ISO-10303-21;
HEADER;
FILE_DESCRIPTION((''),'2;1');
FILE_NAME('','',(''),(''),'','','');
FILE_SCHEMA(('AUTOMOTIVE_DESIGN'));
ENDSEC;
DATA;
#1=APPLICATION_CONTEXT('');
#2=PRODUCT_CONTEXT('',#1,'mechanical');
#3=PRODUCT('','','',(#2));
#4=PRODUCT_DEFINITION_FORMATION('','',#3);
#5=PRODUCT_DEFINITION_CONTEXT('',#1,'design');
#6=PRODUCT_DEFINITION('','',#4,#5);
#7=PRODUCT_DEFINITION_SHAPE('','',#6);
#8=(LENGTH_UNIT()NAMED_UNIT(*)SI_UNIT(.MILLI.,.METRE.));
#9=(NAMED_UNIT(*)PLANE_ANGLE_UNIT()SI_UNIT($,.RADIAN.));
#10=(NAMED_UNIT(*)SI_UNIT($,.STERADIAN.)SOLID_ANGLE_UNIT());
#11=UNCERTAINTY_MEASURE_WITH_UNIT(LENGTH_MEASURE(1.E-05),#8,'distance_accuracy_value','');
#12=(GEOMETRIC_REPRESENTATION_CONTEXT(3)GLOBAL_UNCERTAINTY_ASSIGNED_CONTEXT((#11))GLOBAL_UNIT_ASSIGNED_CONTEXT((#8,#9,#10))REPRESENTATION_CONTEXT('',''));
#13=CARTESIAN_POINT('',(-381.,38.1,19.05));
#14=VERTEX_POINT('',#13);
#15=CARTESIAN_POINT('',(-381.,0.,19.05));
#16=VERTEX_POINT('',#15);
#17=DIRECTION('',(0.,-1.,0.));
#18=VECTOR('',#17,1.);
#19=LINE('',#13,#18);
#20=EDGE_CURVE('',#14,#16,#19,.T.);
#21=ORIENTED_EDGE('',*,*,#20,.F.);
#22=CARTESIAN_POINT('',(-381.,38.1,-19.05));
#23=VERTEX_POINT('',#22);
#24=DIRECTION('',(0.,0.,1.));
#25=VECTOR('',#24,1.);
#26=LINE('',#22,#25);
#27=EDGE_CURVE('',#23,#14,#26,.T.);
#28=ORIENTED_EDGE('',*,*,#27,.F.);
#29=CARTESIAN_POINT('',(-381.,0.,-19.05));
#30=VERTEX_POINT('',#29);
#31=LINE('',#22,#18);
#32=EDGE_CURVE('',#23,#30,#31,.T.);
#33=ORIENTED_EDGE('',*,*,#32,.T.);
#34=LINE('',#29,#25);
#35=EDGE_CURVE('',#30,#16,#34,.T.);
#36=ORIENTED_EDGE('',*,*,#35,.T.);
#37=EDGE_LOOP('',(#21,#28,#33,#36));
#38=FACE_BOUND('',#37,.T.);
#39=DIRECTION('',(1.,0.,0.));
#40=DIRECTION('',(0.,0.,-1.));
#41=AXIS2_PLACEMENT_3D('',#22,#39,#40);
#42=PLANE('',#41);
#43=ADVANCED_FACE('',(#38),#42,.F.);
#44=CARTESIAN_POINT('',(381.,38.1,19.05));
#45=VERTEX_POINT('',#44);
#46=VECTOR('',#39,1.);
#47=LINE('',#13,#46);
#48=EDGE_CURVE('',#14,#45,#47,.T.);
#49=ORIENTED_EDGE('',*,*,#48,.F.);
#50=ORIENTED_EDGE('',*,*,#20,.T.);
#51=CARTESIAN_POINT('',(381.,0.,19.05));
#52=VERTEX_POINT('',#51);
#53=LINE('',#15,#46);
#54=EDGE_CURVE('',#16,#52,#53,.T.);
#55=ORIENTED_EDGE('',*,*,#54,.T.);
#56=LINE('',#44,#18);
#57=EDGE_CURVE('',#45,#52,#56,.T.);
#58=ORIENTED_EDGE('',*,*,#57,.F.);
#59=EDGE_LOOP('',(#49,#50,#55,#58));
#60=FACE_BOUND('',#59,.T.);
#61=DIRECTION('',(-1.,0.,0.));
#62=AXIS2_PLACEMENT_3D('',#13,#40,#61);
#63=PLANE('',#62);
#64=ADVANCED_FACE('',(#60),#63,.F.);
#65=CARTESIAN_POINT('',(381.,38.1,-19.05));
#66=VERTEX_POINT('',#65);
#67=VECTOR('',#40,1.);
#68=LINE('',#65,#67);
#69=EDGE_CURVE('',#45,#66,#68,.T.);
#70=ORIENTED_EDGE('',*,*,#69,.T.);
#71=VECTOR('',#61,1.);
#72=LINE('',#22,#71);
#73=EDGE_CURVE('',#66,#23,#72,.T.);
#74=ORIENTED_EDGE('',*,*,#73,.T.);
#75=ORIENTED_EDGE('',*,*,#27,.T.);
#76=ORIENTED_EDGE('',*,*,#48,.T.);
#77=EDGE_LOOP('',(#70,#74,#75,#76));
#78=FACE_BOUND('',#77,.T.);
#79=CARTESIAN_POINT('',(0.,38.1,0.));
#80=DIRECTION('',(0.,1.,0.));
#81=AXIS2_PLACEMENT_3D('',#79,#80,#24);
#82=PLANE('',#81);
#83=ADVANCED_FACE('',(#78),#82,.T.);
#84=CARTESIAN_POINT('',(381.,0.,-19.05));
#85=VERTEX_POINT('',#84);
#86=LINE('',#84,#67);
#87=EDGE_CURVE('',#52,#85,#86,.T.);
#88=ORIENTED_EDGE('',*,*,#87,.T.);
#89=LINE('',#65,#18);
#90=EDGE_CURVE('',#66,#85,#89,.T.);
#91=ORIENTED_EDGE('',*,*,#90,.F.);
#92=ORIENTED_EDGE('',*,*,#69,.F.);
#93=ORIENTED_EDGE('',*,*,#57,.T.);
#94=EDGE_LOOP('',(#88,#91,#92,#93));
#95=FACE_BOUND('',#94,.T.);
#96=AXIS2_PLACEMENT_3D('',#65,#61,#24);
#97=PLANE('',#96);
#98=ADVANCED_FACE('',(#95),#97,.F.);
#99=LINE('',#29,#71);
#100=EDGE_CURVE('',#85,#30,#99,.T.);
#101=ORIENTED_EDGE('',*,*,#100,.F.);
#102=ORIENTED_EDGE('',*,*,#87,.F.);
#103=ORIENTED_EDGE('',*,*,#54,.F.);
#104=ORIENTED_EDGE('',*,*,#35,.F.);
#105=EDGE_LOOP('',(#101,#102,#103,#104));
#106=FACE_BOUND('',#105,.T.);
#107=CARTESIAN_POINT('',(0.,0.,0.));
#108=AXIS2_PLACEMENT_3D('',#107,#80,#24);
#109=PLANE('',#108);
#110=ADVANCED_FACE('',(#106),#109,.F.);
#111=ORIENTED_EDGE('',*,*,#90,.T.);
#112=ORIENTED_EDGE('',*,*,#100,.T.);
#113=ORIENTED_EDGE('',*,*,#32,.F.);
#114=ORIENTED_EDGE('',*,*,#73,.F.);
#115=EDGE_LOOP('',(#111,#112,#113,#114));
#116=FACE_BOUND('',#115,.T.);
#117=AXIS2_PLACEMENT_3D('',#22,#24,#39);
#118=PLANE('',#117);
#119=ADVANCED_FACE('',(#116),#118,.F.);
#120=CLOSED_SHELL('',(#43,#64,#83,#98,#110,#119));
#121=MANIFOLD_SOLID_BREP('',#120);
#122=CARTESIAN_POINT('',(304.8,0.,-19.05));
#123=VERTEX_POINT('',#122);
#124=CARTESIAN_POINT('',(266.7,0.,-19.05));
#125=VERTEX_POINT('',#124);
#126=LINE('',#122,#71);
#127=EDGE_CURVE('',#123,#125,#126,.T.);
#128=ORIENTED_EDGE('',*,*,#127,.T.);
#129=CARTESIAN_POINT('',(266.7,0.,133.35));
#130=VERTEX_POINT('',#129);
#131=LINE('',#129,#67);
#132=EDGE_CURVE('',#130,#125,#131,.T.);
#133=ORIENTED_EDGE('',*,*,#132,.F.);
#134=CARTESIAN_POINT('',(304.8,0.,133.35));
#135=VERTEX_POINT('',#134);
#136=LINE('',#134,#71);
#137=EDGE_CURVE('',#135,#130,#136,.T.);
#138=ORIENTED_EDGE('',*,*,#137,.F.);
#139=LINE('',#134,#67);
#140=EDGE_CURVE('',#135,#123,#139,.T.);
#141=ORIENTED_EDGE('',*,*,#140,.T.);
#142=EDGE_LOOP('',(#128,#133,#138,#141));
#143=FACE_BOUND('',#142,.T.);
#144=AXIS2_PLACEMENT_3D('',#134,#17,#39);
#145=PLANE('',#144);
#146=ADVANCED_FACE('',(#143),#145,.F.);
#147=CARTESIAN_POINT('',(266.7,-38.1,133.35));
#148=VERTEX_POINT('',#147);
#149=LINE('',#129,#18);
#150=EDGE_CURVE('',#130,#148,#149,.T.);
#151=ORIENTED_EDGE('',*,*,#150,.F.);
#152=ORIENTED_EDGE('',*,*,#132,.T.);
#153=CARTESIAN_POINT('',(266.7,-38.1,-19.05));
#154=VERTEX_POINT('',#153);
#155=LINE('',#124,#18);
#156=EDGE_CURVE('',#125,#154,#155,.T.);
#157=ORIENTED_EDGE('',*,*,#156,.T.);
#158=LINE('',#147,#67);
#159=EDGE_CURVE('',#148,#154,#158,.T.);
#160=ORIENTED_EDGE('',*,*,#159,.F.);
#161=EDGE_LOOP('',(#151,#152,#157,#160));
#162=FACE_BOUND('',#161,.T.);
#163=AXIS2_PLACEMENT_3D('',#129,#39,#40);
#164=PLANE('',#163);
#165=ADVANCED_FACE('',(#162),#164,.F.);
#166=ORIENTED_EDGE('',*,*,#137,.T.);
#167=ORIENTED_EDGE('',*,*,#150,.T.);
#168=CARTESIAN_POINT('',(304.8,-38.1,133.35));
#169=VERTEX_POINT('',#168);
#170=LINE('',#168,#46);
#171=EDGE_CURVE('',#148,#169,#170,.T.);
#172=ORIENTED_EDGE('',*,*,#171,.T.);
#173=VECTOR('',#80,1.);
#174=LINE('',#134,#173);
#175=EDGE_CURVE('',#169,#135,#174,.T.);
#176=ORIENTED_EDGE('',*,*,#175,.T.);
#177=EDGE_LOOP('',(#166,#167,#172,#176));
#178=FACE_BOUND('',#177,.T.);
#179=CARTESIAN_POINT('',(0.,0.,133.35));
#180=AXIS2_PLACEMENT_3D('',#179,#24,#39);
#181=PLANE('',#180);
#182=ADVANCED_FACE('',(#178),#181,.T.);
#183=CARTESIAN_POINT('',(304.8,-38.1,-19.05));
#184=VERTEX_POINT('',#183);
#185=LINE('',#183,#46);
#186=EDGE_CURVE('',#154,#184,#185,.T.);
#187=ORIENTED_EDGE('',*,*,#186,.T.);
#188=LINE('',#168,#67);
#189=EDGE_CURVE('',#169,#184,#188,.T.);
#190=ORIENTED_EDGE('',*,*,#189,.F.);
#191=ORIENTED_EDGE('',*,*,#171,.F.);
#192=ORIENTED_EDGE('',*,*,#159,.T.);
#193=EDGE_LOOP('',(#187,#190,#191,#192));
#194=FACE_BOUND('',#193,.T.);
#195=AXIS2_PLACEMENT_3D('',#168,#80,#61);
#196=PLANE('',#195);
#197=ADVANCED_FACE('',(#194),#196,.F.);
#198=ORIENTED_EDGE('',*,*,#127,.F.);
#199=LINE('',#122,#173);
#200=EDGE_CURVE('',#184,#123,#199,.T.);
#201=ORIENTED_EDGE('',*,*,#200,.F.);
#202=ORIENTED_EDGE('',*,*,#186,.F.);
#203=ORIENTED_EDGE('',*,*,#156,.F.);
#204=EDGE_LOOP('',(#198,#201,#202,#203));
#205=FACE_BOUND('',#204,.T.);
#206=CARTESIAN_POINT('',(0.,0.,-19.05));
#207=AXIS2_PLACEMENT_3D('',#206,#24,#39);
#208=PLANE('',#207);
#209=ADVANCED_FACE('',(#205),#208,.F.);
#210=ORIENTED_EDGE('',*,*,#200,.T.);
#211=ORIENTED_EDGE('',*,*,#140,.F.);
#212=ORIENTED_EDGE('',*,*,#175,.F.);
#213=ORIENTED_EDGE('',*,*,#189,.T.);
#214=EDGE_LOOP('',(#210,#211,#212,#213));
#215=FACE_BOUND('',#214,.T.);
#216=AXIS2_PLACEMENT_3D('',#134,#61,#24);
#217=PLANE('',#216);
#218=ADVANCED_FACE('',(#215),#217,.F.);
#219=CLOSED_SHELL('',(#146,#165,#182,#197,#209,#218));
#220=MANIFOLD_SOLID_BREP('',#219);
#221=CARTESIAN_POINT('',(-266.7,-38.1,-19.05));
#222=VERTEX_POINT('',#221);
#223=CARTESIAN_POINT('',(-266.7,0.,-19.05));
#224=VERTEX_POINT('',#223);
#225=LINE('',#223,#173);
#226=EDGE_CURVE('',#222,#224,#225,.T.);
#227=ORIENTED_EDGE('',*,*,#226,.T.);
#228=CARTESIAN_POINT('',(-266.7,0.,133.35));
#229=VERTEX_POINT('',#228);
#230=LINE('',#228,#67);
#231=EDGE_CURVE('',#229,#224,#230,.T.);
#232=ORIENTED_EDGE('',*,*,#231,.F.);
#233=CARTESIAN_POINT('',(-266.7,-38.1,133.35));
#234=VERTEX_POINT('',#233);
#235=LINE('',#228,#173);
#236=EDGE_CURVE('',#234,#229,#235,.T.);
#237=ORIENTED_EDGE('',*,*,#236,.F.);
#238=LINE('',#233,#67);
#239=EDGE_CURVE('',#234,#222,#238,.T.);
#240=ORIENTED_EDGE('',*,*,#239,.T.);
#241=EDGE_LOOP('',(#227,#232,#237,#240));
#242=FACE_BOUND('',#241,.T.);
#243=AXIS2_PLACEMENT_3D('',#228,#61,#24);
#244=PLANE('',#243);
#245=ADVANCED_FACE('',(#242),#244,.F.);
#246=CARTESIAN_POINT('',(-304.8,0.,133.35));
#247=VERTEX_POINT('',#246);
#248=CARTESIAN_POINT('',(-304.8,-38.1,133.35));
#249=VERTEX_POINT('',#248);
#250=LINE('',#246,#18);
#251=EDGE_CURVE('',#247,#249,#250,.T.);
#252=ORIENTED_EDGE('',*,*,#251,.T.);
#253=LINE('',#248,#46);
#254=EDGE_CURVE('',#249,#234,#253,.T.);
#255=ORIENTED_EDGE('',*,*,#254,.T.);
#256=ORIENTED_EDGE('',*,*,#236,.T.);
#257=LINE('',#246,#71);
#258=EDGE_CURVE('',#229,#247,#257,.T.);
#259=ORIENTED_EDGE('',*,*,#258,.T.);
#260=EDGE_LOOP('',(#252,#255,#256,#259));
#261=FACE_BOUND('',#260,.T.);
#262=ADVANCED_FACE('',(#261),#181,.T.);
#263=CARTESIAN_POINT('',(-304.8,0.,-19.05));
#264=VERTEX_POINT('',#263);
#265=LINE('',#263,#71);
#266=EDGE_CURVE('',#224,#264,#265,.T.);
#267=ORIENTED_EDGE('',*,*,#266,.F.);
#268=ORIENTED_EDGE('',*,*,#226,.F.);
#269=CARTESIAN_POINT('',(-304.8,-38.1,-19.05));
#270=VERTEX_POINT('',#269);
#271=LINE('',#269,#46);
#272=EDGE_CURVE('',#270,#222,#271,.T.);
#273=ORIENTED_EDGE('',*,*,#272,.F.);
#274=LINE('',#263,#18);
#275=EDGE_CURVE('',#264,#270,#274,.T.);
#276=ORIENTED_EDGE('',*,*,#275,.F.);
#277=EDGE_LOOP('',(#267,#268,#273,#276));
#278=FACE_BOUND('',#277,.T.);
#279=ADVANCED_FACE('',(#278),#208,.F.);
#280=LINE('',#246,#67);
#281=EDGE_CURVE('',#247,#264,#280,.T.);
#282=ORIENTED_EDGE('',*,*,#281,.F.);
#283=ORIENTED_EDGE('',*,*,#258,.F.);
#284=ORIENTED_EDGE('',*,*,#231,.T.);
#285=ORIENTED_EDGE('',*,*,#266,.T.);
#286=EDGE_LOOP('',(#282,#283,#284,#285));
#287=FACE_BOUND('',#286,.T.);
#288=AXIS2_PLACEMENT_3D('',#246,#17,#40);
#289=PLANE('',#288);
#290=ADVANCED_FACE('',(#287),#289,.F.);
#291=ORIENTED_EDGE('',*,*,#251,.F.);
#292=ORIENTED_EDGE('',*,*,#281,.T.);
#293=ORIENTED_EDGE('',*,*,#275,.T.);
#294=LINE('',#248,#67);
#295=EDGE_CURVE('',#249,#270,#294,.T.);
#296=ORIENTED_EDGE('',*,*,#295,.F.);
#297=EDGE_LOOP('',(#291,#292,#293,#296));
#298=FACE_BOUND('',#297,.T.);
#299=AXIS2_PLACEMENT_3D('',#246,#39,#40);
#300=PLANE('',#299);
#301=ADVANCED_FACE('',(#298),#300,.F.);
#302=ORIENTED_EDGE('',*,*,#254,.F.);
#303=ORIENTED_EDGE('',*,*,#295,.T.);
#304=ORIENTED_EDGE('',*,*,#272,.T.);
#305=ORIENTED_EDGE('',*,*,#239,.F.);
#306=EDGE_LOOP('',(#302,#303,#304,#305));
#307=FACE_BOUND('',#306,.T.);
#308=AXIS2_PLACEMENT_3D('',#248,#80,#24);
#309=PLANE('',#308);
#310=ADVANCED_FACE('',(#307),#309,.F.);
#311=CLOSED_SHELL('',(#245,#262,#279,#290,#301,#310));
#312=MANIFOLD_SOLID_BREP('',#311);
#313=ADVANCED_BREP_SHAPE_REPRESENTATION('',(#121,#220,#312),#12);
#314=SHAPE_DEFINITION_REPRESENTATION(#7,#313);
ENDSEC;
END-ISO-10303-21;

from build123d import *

# Parameters (mm, degrees)
SKETCH5_W             = 762
SKETCH5_H             = 38.1
BOSS_EXTRUDE3_DEPTH   = 38.1
SKETCH4_W             = 38.1
SKETCH4_H             = 38.1
BOSS_EXTRUDE4_DEPTH   = 152.4
BOSS_EXTRUDE4_2_DEPTH = 152.4


with BuildPart() as part:
    # Sketch5 → Boss-Extrude3 (new body)
    with BuildSketch(Plane(origin=(0, 0, 0), x_dir=(1, 0, 0), z_dir=(0, 1, 0))):
        Rectangle(SKETCH5_W, SKETCH5_H)
    extrude(amount=BOSS_EXTRUDE3_DEPTH)


with BuildPart() as body_2:
    # Sketch4 → Boss-Extrude4 (new body)
    with BuildSketch(Plane.XY.offset(-19.05)):
        with Locations((285.75, -19.05)):
            Rectangle(SKETCH4_W, SKETCH4_H)
    extrude(amount=BOSS_EXTRUDE4_DEPTH)


with BuildPart() as body_3:
    # Sketch4 → Boss-Extrude4 2 (new body)
    with BuildSketch(Plane.XY.offset(-19.05)):
        with Locations((-285.75, -19.05)):
            Rectangle(SKETCH4_W, SKETCH4_H)
    extrude(amount=BOSS_EXTRUDE4_2_DEPTH)


solid = Compound([part.part, body_2.part, body_3.part])
